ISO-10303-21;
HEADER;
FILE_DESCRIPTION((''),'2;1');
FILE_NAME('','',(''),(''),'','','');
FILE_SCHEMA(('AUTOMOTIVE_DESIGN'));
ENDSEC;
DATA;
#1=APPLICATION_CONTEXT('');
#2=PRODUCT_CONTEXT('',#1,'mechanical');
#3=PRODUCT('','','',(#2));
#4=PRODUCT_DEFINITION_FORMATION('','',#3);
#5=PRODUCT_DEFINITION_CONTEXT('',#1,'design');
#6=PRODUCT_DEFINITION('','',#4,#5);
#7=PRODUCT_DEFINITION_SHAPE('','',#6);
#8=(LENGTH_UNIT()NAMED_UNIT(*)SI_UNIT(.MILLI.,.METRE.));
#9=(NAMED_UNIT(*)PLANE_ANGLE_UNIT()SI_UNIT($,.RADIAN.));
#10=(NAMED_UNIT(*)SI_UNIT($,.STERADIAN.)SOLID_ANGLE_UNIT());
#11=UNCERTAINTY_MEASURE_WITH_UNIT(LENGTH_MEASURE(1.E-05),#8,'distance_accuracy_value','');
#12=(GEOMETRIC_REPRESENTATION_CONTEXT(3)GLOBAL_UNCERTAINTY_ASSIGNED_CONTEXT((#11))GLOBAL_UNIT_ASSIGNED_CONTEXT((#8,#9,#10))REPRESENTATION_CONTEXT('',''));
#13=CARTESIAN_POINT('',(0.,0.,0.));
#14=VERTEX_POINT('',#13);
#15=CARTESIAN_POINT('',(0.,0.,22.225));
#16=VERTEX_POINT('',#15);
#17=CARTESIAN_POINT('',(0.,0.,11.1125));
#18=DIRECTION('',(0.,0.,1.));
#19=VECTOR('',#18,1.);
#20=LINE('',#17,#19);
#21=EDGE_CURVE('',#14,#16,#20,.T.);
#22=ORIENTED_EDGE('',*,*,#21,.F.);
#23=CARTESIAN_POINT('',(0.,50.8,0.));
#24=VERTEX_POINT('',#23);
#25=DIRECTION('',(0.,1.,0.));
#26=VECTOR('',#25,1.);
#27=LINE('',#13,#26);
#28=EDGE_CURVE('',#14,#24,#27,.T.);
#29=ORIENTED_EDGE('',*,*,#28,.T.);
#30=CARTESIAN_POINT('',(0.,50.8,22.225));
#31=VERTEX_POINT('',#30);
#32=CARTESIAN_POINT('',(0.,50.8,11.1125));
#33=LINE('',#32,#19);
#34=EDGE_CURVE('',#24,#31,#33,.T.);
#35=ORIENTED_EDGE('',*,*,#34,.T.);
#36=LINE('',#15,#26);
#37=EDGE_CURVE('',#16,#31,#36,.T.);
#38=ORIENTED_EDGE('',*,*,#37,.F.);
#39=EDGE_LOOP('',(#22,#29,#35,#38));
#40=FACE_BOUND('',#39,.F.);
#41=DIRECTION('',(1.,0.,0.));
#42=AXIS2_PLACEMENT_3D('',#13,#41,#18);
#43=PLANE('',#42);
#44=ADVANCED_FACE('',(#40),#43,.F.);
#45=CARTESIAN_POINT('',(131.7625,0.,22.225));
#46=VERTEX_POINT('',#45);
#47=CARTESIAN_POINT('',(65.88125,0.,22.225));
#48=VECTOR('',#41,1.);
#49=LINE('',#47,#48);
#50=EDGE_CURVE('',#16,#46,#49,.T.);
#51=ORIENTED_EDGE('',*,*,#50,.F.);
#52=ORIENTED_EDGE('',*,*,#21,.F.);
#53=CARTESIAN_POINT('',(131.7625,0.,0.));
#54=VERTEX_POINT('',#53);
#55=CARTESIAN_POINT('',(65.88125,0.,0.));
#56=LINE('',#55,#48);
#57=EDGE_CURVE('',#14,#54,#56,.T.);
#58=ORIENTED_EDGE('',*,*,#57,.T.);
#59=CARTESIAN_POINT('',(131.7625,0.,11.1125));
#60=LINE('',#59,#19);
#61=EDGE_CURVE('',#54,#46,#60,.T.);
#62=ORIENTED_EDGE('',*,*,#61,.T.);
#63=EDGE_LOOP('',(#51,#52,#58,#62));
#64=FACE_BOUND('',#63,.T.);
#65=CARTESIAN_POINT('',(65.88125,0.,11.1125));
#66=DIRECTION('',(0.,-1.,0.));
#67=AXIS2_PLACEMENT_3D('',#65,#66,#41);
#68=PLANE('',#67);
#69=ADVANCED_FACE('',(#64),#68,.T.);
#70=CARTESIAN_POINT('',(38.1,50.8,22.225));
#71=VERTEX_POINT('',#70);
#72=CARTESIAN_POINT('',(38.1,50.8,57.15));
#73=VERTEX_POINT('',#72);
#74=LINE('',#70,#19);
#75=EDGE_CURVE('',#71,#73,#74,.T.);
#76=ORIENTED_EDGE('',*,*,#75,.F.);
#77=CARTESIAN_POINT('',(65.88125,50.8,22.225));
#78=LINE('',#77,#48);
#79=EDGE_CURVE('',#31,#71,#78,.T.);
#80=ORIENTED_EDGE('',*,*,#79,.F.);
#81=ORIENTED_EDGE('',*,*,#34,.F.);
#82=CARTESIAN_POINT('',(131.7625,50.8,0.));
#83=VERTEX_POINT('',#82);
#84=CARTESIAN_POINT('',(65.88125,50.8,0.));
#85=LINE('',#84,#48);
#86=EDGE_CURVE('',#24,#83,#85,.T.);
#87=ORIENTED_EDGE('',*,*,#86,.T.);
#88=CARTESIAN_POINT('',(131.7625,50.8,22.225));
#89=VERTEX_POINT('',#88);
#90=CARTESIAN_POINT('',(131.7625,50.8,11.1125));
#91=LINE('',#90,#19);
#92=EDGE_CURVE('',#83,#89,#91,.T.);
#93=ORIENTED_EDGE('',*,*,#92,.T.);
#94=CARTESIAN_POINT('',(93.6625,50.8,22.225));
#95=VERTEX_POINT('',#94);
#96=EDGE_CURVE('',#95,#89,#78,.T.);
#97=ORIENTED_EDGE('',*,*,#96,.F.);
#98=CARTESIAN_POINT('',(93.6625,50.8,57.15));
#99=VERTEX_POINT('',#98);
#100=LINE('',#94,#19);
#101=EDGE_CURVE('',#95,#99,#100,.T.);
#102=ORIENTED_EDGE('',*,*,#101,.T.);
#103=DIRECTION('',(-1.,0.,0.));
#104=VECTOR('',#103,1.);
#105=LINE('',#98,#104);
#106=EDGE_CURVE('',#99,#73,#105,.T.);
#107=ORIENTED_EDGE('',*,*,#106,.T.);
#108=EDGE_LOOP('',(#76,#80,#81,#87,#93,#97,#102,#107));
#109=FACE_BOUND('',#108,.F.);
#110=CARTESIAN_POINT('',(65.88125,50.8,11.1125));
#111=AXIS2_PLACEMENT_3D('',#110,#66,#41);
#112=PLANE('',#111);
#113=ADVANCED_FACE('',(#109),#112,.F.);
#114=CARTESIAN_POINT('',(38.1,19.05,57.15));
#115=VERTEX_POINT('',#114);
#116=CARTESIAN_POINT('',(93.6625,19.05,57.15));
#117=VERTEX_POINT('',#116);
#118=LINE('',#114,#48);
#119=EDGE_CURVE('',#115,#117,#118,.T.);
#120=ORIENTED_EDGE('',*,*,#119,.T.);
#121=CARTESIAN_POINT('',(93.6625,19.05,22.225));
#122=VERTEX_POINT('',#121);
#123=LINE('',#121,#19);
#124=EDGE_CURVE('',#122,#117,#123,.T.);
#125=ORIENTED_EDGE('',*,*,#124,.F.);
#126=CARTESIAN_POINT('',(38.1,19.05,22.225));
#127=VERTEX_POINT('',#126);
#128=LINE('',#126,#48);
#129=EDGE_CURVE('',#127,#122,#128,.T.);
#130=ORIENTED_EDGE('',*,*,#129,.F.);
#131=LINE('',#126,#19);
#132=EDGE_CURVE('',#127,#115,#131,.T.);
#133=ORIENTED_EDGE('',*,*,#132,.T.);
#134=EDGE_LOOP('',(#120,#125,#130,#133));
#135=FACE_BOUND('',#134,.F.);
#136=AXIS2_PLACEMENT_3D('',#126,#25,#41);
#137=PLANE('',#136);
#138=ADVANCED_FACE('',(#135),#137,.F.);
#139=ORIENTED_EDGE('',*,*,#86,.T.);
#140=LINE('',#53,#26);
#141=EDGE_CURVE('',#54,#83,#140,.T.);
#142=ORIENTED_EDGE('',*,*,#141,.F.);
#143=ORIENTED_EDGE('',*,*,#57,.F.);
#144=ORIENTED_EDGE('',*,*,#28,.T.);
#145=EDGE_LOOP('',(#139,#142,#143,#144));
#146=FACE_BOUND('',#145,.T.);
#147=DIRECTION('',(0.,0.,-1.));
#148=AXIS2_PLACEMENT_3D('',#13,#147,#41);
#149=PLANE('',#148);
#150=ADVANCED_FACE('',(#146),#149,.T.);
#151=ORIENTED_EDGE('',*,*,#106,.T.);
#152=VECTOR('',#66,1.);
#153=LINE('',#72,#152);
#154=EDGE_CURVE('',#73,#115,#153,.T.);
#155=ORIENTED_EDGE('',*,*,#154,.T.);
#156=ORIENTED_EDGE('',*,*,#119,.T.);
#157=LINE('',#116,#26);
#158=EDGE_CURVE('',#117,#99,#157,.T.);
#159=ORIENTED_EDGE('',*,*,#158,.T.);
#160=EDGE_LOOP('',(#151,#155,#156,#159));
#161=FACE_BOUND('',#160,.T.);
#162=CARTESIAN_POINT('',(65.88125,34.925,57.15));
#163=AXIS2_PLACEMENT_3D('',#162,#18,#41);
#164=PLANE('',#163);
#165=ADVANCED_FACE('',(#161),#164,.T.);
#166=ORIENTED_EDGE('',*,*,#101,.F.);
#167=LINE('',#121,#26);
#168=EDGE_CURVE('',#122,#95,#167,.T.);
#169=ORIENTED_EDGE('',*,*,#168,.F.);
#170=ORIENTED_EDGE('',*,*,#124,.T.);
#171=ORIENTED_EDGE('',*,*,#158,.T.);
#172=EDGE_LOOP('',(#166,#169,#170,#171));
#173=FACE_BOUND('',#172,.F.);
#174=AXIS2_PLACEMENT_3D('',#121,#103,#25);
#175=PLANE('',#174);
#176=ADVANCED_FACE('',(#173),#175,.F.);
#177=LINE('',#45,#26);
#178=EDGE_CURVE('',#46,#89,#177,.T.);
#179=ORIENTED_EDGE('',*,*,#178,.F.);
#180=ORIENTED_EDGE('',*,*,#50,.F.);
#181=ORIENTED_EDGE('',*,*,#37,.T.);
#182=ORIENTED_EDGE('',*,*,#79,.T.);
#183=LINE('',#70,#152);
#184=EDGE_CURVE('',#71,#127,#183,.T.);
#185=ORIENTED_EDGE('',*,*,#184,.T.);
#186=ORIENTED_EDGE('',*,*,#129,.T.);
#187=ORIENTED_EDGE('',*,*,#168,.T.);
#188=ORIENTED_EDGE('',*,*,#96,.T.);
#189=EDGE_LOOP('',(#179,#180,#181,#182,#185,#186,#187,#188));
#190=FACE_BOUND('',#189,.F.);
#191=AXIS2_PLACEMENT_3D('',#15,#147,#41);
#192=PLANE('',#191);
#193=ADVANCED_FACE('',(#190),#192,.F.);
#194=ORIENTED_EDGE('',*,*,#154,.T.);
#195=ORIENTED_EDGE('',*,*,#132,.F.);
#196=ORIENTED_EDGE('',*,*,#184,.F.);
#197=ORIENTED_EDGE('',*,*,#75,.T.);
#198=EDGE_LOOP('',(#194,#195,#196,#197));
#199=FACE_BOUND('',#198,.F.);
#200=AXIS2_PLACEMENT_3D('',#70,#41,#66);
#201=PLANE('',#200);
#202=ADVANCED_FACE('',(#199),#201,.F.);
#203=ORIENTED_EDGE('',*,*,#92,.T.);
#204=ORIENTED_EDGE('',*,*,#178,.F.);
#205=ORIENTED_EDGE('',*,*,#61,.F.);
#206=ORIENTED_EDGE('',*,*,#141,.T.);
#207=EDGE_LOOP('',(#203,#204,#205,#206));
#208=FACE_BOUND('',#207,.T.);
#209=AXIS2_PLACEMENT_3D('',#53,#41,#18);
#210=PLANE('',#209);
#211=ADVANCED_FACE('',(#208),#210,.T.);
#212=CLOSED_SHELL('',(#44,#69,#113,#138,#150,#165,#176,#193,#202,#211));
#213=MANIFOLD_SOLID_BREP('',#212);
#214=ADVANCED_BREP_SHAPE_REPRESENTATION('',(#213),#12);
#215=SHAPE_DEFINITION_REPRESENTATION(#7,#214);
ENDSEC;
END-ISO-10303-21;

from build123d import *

# Parameters (mm, degrees)
F0_W     = 131.7625
F0_H     = 22.225
F1_DEPTH = 50.8
F3_DEPTH = 34.925


with BuildPart() as f1:
    # F0 (on Front) → F1 (new body)
    with BuildSketch(Plane.XZ):
        with Locations((65.88125, 11.1125)):
            Rectangle(F0_W, F0_H)
    extrude(amount=-F1_DEPTH)

    # F2 (on face) → F3 (join)
    with BuildSketch(Plane.XY.offset(22.225)):
        Polygon((93.654148, 50.8), (38.1, 50.8), (38.1, 19.05), (93.6625, 19.05), (93.6625, 50.8), align=None)
    extrude(amount=F3_DEPTH)


solid = f1.part
